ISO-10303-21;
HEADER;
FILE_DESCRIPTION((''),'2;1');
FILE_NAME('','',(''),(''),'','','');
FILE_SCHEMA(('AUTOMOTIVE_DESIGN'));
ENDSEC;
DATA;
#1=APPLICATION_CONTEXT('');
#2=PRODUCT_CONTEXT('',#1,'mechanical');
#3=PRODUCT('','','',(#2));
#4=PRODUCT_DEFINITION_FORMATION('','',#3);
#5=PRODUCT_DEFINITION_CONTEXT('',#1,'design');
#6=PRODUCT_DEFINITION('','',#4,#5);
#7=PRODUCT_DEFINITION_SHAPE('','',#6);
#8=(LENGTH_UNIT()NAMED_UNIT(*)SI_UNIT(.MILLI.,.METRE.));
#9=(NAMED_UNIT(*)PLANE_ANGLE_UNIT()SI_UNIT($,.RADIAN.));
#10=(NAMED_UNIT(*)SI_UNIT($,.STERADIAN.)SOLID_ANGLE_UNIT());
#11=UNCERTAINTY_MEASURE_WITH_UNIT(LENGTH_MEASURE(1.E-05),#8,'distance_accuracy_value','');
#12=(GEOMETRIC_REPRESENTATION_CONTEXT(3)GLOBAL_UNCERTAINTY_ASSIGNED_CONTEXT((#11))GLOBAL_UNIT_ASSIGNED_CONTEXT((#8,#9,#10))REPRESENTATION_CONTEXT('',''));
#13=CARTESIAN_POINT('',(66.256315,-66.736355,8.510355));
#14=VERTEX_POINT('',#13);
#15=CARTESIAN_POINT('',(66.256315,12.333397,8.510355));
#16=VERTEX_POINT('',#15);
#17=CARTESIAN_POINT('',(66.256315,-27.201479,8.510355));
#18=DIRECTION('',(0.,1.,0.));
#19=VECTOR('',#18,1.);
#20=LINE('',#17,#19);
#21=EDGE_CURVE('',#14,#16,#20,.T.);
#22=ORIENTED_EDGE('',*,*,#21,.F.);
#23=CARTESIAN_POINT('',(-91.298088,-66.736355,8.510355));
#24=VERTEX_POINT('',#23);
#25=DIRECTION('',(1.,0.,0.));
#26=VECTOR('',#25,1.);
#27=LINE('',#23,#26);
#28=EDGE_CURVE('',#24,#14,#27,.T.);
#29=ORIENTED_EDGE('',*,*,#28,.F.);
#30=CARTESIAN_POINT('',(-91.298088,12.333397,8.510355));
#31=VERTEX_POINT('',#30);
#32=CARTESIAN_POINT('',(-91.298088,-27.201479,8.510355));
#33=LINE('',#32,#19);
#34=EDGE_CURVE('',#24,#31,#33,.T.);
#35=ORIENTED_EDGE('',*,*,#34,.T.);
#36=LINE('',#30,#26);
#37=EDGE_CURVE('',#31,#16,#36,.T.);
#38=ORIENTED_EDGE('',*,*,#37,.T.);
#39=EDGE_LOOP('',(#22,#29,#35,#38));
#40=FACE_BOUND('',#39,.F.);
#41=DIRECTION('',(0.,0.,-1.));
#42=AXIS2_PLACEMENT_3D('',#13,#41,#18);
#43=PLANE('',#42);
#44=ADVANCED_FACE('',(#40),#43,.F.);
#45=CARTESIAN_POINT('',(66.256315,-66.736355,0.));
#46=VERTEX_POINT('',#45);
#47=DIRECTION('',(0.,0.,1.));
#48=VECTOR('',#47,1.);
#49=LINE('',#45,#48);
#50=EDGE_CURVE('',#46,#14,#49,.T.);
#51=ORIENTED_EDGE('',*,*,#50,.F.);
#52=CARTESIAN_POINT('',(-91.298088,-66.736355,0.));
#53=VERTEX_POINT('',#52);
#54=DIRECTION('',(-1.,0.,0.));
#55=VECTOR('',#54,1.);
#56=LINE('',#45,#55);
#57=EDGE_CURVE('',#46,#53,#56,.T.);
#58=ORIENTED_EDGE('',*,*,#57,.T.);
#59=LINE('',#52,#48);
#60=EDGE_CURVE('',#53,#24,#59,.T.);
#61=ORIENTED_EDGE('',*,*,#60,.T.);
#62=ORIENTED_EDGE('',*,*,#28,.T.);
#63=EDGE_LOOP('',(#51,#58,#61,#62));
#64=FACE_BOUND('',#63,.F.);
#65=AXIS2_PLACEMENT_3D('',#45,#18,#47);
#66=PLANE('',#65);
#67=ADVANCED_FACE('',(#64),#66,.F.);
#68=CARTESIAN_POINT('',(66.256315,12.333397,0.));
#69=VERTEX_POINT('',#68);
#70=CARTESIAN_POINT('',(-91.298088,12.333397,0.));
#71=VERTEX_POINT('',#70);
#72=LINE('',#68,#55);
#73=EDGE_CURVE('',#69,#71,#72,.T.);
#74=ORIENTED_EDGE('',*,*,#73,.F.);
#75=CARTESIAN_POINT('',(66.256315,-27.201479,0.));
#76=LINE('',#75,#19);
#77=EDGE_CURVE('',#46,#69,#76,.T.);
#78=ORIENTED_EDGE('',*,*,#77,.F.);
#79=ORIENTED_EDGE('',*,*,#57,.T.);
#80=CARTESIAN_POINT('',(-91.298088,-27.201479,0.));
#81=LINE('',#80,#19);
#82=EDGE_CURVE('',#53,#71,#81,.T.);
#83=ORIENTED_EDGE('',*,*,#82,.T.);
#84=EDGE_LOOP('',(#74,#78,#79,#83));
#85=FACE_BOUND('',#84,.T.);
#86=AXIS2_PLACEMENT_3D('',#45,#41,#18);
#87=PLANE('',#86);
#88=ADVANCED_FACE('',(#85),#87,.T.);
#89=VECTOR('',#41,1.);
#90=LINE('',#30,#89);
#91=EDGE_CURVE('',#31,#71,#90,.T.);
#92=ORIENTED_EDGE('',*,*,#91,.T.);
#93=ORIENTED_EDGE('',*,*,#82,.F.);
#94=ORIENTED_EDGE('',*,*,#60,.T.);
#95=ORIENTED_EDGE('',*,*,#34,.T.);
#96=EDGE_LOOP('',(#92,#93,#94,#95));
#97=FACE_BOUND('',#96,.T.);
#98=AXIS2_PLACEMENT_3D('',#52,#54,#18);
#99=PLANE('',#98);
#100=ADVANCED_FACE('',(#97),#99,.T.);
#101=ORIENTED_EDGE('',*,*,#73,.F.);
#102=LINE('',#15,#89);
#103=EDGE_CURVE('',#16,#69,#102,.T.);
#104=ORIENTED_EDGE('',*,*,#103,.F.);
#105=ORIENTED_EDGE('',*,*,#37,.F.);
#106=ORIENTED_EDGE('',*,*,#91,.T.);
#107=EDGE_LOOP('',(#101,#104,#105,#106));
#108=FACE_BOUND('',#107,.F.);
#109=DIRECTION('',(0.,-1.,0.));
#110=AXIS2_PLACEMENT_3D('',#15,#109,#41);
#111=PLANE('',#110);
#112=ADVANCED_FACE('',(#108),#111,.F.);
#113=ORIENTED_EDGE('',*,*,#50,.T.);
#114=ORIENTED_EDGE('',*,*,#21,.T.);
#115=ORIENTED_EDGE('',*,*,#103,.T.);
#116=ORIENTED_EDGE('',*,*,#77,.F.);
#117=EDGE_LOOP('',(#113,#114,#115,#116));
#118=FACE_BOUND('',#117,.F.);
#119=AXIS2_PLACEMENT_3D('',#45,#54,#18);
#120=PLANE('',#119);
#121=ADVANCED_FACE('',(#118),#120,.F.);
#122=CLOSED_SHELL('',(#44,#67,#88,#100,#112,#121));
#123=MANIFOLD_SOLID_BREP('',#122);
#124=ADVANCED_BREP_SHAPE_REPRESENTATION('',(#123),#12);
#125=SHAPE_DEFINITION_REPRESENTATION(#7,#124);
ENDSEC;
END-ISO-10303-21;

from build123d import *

# Parameters (mm, degrees)
F0_W     = 132.5789391994
F0_H     = 79.0697522461
F1_DEPTH = 8.5103549063
F2_W     = 132.5789391994
F2_H     = 79.0697522461
F3_DEPTH = 4.4518793002
F4_DEPTH = 157.5544029474


with BuildPart() as f1:
    # F0 (on Top) → F1 (new body)
    with BuildSketch(Plane.XY):
        with Locations((-0.0331550837, -27.2014793009)):
            Rectangle(F0_W, F0_H)
    extrude(amount=F1_DEPTH)

    # F2 (on face) → F3 (join)
    with BuildSketch(Plane.XY.offset(8.5103549063)):
        with Locations((-0.0331550837, -27.2014793009)):
            Rectangle(F2_W, F2_H)
    extrude(amount=-F3_DEPTH)

    # F4 (add): a face of the model
    f4_faces = [f1.faces().sort_by_distance(p)[0] for p in [
        (66.2563145161, -27.2014793009, 4.2551774532),
    ]]
    extrude(f4_faces, amount=-F4_DEPTH)


solid = f1.part
